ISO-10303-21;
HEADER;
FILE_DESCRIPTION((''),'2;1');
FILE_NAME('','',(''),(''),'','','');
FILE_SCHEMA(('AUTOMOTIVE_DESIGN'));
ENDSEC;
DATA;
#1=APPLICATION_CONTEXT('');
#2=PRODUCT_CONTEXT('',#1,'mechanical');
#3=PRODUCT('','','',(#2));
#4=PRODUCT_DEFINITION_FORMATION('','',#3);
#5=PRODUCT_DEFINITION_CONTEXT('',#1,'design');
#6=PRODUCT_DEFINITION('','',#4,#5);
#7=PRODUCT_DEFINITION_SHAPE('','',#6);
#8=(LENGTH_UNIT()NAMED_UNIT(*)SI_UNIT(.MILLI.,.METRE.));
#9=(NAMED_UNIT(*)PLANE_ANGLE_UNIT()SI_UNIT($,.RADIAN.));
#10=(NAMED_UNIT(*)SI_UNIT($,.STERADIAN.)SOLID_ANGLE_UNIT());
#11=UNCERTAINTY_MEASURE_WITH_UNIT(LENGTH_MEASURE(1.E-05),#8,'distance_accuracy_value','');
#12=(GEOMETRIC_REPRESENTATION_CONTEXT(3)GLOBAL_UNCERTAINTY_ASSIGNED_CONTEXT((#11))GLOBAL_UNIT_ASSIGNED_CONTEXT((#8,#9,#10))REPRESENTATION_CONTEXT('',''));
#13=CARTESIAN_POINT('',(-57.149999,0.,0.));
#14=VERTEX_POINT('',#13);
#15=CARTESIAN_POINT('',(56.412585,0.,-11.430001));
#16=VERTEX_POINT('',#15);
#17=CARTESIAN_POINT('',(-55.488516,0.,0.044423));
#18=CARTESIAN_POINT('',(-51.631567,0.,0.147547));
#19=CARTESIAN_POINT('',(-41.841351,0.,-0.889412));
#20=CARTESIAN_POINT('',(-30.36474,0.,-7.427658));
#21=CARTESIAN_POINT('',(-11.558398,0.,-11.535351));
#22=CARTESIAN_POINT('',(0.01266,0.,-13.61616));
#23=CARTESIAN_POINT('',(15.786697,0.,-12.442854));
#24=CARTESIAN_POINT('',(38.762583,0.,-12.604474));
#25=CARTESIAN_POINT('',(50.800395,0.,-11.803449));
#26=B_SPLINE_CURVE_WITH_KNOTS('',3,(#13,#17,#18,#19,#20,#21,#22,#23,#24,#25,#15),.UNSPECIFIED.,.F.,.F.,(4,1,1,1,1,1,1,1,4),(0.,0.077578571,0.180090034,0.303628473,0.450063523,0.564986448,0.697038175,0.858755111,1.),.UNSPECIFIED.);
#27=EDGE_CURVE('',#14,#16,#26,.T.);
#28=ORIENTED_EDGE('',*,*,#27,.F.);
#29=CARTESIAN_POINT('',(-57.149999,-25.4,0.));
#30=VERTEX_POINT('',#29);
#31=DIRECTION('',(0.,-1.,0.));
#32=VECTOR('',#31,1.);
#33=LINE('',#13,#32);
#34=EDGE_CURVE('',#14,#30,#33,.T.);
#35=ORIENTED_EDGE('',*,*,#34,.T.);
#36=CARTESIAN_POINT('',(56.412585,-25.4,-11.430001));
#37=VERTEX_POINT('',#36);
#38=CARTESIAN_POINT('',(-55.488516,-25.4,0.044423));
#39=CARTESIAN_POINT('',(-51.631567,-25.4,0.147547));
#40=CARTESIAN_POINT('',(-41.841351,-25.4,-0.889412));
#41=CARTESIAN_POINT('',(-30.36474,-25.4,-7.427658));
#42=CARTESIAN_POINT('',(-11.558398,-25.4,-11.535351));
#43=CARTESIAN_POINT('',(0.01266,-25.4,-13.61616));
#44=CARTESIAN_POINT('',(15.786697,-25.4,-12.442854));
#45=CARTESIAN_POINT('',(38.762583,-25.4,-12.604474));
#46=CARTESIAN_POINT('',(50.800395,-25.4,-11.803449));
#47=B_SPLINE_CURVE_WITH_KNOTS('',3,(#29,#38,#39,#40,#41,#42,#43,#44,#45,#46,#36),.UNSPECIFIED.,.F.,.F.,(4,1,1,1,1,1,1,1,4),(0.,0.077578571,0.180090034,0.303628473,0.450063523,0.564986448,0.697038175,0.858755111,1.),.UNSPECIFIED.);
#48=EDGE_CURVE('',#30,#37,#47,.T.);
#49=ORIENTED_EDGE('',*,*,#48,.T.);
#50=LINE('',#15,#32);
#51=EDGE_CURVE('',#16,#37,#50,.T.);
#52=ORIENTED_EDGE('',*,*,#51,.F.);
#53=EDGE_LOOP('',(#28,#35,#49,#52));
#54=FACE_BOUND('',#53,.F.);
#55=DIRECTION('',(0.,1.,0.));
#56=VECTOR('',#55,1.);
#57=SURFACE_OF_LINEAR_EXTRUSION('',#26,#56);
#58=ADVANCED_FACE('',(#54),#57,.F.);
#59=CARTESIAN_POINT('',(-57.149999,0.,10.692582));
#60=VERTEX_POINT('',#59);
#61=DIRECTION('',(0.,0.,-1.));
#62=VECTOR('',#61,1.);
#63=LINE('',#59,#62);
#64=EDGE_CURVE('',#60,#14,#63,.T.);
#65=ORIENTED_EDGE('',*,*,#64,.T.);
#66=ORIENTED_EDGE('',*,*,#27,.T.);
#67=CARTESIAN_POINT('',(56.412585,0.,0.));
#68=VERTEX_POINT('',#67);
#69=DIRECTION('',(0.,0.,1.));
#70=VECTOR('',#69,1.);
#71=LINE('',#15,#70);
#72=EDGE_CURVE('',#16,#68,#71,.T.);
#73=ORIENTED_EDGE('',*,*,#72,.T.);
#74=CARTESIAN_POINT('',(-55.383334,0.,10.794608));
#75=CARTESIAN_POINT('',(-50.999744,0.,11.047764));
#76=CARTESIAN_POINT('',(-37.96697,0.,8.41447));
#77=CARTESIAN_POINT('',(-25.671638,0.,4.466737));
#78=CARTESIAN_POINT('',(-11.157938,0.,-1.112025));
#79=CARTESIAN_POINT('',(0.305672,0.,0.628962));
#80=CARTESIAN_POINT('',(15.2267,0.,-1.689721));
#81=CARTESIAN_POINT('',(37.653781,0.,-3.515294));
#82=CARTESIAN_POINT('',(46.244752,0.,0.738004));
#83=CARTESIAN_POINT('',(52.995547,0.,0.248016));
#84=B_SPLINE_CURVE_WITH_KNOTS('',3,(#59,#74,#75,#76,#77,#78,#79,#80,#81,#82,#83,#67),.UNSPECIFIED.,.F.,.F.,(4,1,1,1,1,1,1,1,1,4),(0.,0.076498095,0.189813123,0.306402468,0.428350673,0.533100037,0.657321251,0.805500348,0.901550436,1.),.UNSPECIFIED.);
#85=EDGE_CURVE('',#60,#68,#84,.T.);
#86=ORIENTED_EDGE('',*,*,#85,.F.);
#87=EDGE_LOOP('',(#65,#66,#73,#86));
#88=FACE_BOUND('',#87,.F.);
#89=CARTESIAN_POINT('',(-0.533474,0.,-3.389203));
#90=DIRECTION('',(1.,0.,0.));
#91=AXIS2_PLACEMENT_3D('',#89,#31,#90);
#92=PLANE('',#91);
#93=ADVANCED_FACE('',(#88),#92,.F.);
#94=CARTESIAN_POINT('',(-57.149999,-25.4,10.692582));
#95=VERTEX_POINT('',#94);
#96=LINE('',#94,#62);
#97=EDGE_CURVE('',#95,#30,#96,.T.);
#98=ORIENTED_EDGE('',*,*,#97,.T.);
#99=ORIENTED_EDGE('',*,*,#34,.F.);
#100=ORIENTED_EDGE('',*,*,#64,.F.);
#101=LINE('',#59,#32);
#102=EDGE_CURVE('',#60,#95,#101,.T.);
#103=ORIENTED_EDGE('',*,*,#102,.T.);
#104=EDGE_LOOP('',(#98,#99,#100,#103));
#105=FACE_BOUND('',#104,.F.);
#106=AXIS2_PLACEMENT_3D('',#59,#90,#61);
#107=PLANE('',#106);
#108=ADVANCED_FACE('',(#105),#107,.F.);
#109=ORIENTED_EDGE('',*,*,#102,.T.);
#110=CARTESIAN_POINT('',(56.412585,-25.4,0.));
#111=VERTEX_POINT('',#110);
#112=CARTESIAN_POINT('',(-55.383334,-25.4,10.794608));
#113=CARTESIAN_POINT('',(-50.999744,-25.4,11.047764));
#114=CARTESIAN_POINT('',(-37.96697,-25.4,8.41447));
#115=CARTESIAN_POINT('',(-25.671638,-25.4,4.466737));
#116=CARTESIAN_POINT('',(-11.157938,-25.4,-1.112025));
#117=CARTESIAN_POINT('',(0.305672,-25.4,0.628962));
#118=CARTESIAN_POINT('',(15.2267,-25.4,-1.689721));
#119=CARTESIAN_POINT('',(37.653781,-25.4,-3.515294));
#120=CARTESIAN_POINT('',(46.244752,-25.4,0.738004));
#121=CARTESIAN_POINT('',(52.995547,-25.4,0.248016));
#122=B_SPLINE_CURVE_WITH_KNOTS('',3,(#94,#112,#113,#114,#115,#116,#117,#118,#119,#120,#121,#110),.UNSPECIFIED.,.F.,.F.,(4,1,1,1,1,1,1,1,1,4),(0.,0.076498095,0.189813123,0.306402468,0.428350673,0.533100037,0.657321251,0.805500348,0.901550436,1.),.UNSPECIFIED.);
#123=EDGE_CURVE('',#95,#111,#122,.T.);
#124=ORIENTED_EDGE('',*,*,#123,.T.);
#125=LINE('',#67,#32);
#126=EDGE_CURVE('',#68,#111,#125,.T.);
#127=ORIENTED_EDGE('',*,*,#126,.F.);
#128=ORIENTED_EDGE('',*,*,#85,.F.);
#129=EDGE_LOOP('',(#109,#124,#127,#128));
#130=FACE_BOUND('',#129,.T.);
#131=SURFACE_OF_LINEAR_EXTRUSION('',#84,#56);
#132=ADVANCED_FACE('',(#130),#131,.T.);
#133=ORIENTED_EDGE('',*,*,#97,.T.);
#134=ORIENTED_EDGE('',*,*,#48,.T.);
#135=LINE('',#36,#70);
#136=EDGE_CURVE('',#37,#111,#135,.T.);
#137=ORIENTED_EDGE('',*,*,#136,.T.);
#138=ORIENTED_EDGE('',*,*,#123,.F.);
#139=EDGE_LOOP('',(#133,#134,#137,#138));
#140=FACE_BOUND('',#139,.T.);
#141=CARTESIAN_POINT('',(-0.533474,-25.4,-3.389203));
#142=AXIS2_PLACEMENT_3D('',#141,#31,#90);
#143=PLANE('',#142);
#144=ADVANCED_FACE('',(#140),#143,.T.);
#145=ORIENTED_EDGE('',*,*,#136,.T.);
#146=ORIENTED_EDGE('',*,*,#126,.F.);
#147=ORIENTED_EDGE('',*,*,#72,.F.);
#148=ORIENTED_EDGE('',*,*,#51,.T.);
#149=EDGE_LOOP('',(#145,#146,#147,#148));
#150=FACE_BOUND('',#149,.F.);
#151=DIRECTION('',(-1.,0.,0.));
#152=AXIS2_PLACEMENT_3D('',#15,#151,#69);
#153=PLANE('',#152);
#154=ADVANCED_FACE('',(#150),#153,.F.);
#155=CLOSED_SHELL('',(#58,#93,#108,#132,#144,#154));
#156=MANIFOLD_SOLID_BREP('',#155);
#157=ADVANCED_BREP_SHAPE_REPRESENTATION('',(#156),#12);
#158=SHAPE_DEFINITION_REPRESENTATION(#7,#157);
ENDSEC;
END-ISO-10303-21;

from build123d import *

# Parameters (mm, degrees)
F1_DEPTH = 25.4


with BuildPart() as f1:
    # F0 (on Front) → F1 (new body)
    with BuildSketch(Plane.XZ):
        with BuildLine():
            Line((-57.1499988437, 10.6925815344), (-57.1499988437, 0))
            add(Edge.make_bspline(
                [(-57.1499988437, 0), (-55.4885156161, 0.0444233277), (-51.6315668651, 0.1475471482), (-41.8413506961, -0.889411855), (-30.3647397024, -7.4276576538), (-11.5583975759, -11.5353506602), (0.0126595096, -13.6161598141), (15.7866974951, -12.4428544431), (38.7625825957, -12.6044742842), (50.8003947227, -11.8034494614), (56.4125850797, -11.4300008863)],
                knots=[0, 0, 0, 0, 0.0775785708, 0.1800900344, 0.3036284732, 0.4500635233, 0.5649864482, 0.6970381745, 0.8587551112, 1, 1, 1, 1], degree=3))
            Line((56.4125850797, -11.4300008863), (56.4125850797, 0))
            add(Edge.make_bspline(
                [(-57.1499988437, 10.6925815344), (-55.383333522, 10.7946080817), (-50.9997438327, 11.0477644184), (-37.966970254, 8.4144701841), (-25.6716381399, 4.4667370362), (-11.1579380589, -1.1120246884), (0.3056723342, 0.6289615264), (15.2267001169, -1.6897206154), (37.6537811554, -3.5152937499), (46.2447516096, 0.7380041428), (52.9955465075, 0.2480163183), (56.4125850797, 0)],
                knots=[0, 0, 0, 0, 0.0764980952, 0.1898131226, 0.3064024678, 0.428350673, 0.5331000369, 0.6573212505, 0.8055003476, 0.901550436, 1, 1, 1, 1], degree=3))
        make_face()
    extrude(amount=F1_DEPTH)


solid = f1.part
